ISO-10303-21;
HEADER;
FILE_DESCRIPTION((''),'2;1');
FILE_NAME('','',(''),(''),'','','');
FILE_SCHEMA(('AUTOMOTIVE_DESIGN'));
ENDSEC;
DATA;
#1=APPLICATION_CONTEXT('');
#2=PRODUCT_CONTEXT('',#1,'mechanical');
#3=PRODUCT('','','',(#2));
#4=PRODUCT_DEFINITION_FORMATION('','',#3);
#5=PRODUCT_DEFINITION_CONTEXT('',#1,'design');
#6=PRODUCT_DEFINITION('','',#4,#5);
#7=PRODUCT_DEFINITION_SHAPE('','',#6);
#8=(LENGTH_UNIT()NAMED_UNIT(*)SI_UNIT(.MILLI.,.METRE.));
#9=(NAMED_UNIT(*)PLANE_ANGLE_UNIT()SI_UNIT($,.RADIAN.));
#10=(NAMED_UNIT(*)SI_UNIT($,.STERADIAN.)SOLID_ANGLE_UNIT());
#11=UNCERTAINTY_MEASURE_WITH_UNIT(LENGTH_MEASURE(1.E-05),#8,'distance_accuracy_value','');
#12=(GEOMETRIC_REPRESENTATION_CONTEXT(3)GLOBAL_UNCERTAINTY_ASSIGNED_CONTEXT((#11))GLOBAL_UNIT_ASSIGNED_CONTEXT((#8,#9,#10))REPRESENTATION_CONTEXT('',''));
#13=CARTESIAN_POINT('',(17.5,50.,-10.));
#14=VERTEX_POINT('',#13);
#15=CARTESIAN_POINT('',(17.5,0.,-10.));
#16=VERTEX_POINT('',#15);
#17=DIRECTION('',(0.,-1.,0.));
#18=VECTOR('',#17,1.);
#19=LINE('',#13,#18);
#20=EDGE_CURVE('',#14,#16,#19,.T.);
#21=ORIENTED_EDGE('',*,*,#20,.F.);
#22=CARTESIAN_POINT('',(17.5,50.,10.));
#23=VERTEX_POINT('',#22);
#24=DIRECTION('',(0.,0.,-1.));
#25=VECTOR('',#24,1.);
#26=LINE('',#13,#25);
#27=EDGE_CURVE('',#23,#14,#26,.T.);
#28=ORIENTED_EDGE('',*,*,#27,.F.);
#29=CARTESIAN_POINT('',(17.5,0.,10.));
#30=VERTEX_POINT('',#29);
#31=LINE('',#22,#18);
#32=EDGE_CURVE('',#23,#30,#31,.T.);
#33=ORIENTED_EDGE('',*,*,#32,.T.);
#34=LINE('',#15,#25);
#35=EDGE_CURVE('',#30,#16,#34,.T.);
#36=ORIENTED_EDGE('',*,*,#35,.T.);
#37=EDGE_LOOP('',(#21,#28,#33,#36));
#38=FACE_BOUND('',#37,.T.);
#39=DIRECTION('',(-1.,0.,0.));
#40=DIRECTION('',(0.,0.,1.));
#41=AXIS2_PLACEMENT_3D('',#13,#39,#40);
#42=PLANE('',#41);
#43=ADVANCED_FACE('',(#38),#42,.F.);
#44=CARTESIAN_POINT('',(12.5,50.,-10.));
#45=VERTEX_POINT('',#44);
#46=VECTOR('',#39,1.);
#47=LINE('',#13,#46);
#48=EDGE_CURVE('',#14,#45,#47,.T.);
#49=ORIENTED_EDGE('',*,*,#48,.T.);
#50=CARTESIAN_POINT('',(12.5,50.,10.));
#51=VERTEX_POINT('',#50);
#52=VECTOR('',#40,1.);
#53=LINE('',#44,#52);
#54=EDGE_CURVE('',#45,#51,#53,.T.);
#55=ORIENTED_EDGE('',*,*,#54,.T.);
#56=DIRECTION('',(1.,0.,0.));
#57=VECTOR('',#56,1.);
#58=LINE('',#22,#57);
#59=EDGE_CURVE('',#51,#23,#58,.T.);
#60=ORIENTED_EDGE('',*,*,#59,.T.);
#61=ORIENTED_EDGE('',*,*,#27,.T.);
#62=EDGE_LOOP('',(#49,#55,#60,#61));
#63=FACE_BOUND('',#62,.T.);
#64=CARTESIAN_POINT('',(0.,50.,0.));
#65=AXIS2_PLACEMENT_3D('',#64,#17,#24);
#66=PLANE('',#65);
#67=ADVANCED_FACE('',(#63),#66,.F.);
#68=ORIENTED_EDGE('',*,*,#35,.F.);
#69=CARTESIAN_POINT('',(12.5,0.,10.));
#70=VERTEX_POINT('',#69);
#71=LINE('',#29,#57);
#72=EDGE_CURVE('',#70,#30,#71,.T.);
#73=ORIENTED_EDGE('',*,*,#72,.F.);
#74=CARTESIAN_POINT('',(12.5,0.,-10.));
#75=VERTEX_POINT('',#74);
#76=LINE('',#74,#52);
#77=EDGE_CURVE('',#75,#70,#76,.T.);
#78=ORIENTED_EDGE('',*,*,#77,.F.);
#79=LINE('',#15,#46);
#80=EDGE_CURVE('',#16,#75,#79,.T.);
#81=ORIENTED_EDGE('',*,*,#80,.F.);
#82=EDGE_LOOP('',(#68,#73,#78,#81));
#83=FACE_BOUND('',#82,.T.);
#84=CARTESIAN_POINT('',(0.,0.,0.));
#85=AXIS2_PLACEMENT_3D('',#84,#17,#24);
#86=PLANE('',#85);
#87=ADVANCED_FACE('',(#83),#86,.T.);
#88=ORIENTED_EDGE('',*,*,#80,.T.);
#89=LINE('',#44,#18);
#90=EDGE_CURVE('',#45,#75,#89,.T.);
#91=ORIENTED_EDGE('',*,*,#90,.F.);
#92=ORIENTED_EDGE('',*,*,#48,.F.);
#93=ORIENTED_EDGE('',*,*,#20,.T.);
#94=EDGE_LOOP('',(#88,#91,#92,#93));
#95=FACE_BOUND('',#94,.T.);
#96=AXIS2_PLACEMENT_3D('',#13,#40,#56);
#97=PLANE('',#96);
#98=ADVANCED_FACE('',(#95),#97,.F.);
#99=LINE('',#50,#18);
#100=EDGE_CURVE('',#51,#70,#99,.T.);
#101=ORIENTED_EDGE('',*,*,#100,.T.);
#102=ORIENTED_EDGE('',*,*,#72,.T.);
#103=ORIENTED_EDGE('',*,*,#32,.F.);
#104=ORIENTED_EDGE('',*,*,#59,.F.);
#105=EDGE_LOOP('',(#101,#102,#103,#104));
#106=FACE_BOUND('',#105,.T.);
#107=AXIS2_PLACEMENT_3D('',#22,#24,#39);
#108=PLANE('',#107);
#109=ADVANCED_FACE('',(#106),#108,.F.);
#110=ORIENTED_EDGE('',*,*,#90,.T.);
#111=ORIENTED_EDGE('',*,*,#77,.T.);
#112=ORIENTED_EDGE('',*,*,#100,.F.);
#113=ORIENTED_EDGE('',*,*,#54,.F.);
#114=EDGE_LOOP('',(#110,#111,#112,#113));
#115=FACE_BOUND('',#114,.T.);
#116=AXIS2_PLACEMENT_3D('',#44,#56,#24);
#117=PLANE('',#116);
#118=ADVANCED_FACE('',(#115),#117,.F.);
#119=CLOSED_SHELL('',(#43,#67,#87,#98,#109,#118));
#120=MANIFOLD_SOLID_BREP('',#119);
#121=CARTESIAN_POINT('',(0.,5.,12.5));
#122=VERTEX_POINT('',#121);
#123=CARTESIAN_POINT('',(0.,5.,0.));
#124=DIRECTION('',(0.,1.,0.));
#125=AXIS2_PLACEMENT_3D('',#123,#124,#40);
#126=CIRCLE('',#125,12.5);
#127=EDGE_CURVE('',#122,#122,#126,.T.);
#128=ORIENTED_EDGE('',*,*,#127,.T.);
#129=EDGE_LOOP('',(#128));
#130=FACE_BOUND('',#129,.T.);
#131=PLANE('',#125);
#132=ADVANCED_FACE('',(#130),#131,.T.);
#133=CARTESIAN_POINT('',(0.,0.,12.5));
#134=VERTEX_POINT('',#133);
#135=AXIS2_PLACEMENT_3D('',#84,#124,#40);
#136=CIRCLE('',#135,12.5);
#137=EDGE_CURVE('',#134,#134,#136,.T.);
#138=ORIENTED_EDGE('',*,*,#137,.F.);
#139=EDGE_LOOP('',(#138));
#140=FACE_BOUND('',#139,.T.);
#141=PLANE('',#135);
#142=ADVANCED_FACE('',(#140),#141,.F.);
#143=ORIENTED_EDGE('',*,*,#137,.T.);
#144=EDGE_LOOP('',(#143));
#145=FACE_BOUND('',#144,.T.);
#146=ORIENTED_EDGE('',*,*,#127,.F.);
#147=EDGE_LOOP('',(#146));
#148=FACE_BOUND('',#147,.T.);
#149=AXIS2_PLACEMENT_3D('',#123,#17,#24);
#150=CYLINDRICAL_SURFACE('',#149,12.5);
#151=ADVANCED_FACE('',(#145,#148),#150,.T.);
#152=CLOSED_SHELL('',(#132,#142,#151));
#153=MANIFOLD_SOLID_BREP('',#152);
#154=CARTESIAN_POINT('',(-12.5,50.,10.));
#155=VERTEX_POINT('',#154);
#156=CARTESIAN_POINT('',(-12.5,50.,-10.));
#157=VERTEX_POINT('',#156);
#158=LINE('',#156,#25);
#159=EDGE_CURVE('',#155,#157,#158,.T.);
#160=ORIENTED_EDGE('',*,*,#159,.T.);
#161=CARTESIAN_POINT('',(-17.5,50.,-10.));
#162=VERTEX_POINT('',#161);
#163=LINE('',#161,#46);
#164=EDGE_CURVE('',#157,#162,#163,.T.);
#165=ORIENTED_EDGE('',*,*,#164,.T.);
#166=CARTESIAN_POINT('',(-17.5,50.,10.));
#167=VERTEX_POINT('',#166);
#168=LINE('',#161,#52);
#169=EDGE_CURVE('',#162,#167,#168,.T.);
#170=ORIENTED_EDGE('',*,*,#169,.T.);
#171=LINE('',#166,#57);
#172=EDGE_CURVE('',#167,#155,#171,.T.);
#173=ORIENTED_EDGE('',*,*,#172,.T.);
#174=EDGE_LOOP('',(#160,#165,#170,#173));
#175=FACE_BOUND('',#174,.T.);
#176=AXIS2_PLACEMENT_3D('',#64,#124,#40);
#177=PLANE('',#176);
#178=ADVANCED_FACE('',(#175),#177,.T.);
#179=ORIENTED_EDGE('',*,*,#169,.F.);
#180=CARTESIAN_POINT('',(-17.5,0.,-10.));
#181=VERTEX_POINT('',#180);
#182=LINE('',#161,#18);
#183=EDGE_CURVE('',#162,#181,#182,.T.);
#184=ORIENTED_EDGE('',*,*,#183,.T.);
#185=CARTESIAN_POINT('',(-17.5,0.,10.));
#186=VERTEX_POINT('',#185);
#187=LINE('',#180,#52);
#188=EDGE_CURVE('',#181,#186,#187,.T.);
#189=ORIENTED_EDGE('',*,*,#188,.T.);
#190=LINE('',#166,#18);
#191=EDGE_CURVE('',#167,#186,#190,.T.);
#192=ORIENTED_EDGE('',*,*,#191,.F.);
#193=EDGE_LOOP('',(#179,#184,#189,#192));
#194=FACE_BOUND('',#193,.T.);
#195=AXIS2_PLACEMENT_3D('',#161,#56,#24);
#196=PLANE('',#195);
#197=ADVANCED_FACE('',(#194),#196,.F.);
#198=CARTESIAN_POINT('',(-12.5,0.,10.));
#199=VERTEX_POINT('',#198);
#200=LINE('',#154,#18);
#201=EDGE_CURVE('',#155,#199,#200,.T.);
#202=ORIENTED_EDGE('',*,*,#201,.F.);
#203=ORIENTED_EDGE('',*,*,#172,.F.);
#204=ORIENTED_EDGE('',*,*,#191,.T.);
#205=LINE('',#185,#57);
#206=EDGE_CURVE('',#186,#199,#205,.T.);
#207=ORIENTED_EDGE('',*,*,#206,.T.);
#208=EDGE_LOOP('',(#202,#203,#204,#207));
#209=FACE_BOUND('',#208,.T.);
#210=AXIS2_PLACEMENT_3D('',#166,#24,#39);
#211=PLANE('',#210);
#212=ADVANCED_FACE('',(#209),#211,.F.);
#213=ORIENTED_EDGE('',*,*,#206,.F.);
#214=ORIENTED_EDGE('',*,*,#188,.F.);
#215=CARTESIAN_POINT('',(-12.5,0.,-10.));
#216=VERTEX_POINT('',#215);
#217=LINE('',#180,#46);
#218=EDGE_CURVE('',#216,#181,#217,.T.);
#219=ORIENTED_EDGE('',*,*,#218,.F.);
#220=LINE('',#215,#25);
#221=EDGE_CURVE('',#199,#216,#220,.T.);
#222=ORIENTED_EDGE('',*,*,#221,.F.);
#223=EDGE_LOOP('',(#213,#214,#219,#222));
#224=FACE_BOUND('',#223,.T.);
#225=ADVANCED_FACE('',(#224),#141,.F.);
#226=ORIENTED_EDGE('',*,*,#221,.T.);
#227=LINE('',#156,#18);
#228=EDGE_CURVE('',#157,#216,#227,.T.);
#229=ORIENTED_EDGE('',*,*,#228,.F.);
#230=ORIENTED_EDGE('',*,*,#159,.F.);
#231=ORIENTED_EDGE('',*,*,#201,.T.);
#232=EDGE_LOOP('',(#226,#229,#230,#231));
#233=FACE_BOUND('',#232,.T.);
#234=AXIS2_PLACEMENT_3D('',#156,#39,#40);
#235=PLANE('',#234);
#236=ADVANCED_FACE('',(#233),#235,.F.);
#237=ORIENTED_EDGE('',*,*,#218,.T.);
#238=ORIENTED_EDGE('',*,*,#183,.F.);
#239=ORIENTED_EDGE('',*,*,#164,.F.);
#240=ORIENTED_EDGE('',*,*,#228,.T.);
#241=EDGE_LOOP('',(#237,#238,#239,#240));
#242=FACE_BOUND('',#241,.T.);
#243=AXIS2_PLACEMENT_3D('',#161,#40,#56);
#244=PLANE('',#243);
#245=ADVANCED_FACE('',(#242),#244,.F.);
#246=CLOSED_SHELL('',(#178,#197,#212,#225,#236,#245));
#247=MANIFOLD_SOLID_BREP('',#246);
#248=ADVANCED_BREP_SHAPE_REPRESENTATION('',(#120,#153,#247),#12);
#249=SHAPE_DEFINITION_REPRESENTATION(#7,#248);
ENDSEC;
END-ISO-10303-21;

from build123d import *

# Parameters (mm, degrees)
SKETCH1_R             = 12.5
BOSS_EXTRUDE1_DEPTH   = 5
SKETCH2_W             = 5
SKETCH2_H             = 20
BOSS_EXTRUDE2_DEPTH   = 50
BOSS_EXTRUDE2_2_DEPTH = 50


with BuildPart() as part:
    # Sketch1 → Boss-Extrude1 (new body)
    with BuildSketch(Plane(origin=(0, 0, 0), x_dir=(1, 0, 0), z_dir=(0, 1, 0))):
        with Locations(Location((0, 0, 0), (0, 0, 270))):
            Circle(SKETCH1_R)
    extrude(amount=BOSS_EXTRUDE1_DEPTH)


with BuildPart() as body_2:
    # Sketch2 → Boss-Extrude2 (new body)
    with BuildSketch(Plane(origin=(0, 0, 0), x_dir=(1, 0, 0), z_dir=(0, 1, 0))):
        with Locations((-15, 0)):
            Rectangle(SKETCH2_W, SKETCH2_H)
    extrude(amount=BOSS_EXTRUDE2_DEPTH)


with BuildPart() as body_3:
    # Sketch2 → Boss-Extrude2 2 (new body)
    with BuildSketch(Plane(origin=(0, 0, 0), x_dir=(1, 0, 0), z_dir=(0, 1, 0))):
        with Locations((15, 0)):
            Rectangle(SKETCH2_W, SKETCH2_H)
    extrude(amount=BOSS_EXTRUDE2_2_DEPTH)


solid = Compound([part.part, body_2.part, body_3.part])
